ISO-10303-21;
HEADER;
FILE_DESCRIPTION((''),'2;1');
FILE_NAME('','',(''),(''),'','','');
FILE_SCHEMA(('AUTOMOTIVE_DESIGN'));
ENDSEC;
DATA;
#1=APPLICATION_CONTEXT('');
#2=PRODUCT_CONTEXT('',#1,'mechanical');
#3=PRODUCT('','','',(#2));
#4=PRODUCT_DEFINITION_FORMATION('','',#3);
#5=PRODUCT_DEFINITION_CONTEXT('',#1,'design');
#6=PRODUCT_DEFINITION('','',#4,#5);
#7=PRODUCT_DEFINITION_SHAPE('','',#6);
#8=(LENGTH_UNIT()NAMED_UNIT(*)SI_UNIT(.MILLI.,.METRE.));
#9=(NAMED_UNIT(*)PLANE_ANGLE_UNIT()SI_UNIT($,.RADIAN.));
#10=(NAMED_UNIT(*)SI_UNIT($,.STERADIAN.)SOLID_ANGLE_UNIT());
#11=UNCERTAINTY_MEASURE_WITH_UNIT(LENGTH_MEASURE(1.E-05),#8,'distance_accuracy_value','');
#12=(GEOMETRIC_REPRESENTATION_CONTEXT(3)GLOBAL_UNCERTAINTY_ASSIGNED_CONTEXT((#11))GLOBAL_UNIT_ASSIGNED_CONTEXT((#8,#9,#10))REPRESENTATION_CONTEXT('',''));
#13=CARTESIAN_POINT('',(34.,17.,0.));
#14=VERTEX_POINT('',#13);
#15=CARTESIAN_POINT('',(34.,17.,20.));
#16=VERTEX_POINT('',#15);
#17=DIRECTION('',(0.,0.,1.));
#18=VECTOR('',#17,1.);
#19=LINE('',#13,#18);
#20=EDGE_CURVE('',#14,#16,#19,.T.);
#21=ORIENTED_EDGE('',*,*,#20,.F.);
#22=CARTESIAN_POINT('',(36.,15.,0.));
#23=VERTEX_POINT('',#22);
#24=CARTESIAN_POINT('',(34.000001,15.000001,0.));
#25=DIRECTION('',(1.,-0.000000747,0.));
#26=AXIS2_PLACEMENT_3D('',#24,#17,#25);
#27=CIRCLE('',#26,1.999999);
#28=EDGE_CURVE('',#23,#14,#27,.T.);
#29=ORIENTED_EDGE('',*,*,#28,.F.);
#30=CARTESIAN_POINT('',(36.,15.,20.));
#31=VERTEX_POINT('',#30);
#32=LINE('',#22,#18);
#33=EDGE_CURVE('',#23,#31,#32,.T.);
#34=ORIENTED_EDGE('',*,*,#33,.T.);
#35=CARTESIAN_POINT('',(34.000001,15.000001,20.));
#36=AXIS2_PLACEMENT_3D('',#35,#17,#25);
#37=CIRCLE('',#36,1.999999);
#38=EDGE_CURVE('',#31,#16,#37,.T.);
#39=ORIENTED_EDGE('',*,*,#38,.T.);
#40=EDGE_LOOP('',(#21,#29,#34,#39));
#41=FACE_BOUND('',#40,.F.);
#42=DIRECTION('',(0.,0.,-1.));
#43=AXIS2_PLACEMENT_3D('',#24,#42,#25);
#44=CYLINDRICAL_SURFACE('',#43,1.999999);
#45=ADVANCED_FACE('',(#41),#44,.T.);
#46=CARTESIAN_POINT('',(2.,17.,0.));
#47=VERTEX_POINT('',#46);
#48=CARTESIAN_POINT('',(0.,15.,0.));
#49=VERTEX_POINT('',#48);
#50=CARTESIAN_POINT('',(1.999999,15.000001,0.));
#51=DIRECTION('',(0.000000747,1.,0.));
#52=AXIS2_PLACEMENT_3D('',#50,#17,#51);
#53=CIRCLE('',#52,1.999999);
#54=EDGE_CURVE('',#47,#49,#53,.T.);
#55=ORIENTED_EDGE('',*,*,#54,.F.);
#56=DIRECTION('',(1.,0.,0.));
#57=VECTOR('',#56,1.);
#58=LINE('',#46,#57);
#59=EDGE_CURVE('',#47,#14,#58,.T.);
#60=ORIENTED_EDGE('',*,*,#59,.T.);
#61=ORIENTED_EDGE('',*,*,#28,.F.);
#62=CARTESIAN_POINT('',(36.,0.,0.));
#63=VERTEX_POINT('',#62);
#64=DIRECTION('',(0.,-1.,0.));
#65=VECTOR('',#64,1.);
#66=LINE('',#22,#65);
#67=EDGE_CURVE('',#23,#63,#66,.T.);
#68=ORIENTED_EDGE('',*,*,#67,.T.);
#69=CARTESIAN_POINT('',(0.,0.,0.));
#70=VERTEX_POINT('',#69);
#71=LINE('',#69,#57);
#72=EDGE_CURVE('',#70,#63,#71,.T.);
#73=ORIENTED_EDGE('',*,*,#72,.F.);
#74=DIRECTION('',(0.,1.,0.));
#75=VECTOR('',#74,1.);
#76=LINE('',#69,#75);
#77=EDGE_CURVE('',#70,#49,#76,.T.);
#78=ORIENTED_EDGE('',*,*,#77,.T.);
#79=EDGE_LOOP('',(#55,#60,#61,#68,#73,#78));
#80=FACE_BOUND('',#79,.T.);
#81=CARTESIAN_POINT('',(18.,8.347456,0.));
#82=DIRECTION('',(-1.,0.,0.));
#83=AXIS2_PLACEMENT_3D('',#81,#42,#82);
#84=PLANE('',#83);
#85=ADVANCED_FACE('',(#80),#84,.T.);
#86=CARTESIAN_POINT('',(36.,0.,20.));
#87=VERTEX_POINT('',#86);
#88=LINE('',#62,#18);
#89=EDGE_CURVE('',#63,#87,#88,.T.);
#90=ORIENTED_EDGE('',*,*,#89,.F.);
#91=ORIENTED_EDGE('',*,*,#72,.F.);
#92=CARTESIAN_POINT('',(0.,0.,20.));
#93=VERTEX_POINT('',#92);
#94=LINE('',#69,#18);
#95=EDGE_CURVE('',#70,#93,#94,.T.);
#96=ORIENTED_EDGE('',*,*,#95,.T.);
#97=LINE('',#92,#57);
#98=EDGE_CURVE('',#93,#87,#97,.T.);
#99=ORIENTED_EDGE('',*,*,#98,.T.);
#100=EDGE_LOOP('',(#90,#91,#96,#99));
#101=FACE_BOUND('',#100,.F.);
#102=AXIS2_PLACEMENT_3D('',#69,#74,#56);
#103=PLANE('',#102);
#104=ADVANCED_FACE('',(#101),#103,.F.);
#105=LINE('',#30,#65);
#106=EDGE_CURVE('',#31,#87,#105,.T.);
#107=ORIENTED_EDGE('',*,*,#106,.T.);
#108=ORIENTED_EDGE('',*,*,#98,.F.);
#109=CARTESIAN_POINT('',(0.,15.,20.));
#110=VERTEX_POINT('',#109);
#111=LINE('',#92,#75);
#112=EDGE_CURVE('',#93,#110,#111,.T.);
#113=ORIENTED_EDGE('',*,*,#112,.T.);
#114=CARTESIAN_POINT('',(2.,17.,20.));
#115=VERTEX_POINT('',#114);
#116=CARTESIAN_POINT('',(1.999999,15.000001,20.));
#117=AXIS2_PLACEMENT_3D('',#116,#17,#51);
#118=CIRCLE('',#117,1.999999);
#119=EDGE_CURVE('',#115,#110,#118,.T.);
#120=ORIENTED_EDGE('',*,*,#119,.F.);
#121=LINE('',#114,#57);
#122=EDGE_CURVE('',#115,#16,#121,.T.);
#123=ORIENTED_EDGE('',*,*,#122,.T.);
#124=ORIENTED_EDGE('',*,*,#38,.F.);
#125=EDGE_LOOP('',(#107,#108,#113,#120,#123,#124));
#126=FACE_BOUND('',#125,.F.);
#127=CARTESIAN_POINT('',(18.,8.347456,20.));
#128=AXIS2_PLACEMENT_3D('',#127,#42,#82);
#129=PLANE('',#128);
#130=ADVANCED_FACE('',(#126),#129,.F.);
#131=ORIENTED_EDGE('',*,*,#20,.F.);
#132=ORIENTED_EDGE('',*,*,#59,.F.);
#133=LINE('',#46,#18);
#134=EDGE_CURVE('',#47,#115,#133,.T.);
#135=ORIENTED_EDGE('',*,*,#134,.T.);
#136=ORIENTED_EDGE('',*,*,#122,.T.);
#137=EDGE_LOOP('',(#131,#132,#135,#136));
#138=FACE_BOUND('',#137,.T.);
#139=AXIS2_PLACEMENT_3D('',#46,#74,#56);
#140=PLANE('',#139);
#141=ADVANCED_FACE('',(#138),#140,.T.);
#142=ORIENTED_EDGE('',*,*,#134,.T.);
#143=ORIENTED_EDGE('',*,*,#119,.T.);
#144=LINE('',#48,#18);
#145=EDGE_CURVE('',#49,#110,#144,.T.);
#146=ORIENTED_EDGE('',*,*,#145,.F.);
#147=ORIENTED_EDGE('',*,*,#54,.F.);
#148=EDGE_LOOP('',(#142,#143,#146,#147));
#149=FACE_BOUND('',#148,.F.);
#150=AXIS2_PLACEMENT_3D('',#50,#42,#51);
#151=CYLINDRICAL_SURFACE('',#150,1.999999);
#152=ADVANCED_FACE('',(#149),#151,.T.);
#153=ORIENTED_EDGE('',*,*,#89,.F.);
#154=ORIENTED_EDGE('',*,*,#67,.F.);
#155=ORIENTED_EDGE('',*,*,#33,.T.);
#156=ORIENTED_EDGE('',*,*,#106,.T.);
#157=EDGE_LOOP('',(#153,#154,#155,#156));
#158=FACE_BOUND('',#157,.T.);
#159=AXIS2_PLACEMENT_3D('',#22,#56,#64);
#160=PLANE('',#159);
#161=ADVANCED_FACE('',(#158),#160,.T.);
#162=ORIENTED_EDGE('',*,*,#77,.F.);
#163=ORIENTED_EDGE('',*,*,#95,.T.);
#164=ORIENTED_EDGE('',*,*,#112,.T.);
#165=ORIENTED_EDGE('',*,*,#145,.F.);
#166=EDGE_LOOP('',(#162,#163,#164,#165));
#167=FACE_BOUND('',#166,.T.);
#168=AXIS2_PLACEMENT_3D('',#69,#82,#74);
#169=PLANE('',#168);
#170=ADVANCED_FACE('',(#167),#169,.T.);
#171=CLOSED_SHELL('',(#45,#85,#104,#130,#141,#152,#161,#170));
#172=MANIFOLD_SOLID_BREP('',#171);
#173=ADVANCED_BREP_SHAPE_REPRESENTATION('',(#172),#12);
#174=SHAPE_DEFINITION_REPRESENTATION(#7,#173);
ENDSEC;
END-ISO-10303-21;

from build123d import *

# Parameters (mm, degrees)
PAD_DEPTH = 20


with BuildPart() as part:
    # Sketch → Pad (new body)
    with BuildSketch(Plane.XY):
        with BuildLine():
            Line((0, 0), (0, 15))
            ThreePointArc((2, 17), (0.585786, 16.414214), (0, 15))
            Line((2, 17), (34, 17))
            ThreePointArc((36, 15), (35.414214, 16.414214), (34, 17))
            Line((36, 15), (36, 0))
            Line((0, 0), (36, 0))
        make_face()
    extrude(amount=PAD_DEPTH)


solid = part.part
